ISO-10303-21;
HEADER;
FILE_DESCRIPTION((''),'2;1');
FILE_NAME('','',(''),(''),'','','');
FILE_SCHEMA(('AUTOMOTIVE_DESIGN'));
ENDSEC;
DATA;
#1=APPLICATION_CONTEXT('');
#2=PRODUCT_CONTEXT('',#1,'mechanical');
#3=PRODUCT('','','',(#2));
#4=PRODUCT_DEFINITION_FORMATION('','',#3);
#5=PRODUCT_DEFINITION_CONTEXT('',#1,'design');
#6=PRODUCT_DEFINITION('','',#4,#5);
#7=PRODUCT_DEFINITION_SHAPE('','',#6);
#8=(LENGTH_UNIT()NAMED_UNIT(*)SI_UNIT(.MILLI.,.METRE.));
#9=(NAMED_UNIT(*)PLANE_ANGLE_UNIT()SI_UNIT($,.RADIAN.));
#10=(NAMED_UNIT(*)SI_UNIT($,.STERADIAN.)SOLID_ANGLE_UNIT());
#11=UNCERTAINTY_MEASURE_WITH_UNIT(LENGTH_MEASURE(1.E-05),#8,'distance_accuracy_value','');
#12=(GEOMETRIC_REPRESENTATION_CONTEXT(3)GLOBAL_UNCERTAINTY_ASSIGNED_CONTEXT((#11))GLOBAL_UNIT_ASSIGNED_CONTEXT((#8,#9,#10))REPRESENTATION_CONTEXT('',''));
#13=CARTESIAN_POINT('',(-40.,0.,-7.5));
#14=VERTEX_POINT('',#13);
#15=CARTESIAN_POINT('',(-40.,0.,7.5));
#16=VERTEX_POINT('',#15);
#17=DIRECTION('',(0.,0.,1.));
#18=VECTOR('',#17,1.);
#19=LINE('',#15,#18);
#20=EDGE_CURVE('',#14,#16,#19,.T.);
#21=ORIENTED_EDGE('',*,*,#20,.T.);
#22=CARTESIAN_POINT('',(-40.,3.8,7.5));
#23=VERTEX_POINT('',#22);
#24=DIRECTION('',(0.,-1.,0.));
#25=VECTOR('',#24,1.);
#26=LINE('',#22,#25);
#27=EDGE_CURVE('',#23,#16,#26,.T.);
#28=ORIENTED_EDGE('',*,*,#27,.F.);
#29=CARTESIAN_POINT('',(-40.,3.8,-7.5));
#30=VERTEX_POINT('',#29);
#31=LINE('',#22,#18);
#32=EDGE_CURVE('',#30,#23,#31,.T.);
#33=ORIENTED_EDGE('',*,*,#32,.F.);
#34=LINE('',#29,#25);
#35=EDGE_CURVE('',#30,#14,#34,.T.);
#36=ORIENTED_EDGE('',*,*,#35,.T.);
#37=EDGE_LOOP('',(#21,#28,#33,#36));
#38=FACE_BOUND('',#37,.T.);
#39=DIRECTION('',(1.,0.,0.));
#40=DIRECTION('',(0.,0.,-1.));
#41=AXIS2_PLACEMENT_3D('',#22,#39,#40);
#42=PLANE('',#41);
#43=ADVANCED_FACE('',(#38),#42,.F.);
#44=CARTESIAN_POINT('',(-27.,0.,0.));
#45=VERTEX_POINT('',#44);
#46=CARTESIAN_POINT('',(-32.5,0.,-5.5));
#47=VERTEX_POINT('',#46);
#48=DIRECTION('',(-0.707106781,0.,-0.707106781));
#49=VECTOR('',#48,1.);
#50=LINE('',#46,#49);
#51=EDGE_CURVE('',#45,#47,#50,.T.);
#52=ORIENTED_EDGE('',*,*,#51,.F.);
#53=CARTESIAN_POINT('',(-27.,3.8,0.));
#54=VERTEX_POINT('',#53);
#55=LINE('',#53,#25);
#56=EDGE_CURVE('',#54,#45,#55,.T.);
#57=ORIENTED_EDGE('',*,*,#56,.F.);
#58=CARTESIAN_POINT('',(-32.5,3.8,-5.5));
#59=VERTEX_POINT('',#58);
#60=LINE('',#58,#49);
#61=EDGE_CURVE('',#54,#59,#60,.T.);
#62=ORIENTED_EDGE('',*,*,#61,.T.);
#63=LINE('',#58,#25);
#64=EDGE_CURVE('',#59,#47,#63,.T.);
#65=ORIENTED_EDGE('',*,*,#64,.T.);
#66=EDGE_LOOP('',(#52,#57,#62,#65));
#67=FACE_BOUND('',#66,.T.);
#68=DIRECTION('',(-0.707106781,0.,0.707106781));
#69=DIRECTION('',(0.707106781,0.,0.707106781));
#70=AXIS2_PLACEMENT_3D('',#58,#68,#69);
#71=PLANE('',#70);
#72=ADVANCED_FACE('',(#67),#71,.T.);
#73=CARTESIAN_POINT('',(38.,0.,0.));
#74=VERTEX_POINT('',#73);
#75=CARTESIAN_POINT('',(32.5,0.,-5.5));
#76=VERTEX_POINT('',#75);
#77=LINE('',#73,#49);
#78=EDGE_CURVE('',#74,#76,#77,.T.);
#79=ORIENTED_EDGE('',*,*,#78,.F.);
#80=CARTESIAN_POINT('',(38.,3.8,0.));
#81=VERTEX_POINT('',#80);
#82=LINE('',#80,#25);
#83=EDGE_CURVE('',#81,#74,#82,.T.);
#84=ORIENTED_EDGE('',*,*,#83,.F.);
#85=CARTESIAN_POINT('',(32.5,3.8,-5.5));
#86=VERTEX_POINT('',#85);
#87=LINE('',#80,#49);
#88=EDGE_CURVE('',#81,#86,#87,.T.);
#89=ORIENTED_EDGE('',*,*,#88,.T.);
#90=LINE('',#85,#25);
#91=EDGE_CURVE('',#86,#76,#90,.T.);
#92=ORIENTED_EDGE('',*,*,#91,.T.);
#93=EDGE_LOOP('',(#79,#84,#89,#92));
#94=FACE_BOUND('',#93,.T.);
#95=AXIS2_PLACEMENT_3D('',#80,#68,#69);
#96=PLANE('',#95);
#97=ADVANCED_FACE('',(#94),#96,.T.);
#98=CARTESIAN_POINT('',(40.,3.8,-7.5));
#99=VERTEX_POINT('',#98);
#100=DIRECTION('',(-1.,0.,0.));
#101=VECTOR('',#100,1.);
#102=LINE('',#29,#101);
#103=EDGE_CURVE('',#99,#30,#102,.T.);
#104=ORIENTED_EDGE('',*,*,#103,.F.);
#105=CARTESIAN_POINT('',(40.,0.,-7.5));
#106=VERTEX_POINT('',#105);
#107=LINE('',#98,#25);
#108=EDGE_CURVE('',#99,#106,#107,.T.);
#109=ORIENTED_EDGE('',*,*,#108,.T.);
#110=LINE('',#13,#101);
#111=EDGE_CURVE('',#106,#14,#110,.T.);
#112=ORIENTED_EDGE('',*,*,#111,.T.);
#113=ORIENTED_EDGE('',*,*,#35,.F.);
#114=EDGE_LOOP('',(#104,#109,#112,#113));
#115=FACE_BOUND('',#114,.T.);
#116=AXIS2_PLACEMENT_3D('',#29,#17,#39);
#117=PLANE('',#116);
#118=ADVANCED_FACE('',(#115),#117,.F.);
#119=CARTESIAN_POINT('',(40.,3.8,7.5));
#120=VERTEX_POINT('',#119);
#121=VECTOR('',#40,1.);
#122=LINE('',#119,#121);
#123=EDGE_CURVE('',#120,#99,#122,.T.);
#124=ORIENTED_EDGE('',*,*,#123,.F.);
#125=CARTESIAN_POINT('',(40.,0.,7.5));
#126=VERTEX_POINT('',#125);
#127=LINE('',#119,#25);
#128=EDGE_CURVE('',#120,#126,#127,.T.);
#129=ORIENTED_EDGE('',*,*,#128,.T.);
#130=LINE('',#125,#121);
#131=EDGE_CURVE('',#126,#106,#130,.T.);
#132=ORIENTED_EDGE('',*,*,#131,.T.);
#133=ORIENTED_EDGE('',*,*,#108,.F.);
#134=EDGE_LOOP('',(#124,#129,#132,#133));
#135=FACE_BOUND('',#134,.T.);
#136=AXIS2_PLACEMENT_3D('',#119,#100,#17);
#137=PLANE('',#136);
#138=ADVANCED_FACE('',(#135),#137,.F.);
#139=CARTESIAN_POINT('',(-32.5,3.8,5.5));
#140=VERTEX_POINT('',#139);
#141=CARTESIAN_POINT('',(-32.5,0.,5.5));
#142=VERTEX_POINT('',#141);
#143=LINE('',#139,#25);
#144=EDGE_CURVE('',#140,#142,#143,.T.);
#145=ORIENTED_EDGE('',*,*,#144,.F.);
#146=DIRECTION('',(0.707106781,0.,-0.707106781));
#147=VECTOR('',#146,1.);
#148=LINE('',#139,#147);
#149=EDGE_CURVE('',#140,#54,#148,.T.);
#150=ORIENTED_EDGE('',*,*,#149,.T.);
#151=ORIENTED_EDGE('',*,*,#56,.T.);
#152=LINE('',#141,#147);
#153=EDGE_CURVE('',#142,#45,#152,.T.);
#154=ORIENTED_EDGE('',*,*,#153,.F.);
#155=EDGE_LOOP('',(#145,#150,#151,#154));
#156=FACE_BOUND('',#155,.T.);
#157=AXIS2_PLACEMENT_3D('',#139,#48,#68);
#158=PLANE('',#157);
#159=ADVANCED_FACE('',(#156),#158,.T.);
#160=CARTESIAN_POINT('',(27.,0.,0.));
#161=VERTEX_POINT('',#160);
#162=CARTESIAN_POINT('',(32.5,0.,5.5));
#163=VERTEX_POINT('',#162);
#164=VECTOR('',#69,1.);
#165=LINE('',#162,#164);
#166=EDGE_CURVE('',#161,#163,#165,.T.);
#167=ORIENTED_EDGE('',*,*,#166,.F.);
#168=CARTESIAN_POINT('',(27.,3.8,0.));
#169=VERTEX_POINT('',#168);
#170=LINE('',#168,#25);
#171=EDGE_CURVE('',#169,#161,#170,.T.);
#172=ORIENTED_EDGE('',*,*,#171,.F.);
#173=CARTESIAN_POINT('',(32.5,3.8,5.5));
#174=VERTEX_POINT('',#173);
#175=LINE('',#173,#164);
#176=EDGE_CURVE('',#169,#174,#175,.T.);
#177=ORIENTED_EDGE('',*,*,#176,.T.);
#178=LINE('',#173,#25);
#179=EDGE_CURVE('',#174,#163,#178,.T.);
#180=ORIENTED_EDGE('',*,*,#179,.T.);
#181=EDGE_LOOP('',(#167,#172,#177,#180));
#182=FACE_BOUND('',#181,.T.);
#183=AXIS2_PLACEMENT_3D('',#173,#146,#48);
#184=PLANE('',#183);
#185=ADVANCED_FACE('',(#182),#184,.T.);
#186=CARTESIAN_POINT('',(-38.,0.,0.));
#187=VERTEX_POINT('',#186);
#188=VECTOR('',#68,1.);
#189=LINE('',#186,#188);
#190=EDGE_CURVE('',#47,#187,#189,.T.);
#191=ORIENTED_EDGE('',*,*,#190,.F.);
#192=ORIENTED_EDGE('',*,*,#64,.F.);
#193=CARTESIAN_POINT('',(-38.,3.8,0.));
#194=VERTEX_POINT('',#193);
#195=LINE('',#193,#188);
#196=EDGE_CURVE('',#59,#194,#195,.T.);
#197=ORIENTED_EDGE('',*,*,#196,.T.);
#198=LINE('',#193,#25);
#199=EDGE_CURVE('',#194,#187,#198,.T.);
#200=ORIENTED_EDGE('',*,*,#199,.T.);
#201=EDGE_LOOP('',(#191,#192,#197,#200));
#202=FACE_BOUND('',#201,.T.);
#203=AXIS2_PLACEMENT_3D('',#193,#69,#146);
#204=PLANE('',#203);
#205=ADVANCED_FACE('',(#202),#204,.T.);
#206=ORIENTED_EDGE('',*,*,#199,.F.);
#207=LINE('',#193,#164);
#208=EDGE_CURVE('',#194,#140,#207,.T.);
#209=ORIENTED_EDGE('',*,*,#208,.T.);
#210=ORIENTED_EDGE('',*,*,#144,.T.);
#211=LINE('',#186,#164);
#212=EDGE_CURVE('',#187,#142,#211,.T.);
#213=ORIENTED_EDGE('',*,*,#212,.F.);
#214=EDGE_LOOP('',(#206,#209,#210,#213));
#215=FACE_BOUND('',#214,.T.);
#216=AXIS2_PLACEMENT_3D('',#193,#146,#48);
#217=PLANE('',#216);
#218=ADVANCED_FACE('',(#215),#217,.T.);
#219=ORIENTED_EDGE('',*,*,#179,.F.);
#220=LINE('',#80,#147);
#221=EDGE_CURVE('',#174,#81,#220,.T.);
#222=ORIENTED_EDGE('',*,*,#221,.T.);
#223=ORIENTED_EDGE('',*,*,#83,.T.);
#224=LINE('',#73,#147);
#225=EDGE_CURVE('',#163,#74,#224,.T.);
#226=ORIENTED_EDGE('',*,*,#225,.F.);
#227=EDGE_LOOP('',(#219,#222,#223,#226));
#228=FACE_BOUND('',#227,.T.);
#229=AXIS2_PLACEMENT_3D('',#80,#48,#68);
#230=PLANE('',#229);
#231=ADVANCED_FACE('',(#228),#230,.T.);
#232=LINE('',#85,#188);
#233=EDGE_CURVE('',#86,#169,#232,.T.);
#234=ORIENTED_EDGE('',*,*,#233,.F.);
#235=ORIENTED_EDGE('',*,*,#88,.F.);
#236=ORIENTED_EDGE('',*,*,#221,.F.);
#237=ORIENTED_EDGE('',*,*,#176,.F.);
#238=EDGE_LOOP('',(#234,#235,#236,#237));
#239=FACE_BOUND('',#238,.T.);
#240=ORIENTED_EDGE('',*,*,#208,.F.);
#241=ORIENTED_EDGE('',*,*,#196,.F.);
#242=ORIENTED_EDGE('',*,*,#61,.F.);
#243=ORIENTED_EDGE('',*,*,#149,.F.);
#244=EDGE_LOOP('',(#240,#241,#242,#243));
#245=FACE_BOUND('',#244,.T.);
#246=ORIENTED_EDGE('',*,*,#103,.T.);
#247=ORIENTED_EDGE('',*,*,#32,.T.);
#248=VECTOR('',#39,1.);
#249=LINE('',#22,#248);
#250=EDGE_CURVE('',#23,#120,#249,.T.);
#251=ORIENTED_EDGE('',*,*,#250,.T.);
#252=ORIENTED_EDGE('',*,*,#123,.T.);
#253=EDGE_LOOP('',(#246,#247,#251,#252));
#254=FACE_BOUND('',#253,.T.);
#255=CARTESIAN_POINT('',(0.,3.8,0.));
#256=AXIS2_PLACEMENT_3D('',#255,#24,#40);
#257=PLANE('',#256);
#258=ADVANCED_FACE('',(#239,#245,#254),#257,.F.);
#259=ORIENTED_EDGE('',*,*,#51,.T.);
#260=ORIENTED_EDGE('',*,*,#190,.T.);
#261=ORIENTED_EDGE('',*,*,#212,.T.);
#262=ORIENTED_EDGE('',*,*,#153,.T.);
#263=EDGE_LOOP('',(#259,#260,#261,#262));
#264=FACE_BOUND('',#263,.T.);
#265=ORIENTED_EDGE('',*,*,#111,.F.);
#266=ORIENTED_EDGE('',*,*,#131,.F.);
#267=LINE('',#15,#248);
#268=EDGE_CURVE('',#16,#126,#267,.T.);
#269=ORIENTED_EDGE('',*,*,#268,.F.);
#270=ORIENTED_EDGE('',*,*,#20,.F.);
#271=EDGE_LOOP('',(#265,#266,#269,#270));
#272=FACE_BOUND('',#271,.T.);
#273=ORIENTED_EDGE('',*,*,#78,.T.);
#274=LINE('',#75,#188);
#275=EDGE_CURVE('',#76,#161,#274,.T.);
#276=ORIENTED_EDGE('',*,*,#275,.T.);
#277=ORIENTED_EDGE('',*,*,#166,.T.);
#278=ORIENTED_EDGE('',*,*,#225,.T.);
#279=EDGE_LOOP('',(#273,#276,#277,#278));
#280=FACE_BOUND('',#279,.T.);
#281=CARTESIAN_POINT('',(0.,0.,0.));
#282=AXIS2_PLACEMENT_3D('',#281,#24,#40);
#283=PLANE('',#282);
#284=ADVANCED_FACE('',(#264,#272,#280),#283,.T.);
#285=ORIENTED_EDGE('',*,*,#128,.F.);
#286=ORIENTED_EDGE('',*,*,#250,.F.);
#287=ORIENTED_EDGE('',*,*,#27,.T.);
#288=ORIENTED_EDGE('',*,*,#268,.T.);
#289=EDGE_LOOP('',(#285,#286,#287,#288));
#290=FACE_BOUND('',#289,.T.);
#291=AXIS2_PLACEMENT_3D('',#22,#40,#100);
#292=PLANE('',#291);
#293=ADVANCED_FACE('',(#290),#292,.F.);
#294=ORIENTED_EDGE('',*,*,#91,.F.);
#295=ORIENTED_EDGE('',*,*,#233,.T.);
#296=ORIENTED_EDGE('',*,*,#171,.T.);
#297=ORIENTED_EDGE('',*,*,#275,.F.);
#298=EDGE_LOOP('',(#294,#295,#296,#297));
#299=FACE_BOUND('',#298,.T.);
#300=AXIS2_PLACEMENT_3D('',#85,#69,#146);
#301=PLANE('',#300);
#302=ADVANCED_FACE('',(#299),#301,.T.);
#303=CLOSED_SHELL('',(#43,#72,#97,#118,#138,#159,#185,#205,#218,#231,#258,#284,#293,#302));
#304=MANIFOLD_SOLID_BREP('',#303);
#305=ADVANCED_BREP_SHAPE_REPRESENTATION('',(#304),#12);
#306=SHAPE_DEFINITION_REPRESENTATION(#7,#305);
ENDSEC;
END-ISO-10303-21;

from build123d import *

# Parameters (mm, degrees)
SKETCH1_W           = 80
SKETCH1_H           = 15
BOSS_EXTRUDE1_DEPTH = 3.8


with BuildPart() as part:
    # Sketch1 → Boss-Extrude1 (new body)
    with BuildSketch(Plane(origin=(0, 0, 0), x_dir=(1, 0, 0), z_dir=(0, 1, 0))):
        Rectangle(SKETCH1_W, SKETCH1_H)
        Polygon((-38, 0), (-32.5, -5.5), (-27, 0), (-32.5, 5.5), align=None, mode=Mode.SUBTRACT)
        Polygon((32.5, 5.5), (27, 0), (32.5, -5.5), (38, 0), align=None, mode=Mode.SUBTRACT)
    extrude(amount=BOSS_EXTRUDE1_DEPTH)


solid = part.part
